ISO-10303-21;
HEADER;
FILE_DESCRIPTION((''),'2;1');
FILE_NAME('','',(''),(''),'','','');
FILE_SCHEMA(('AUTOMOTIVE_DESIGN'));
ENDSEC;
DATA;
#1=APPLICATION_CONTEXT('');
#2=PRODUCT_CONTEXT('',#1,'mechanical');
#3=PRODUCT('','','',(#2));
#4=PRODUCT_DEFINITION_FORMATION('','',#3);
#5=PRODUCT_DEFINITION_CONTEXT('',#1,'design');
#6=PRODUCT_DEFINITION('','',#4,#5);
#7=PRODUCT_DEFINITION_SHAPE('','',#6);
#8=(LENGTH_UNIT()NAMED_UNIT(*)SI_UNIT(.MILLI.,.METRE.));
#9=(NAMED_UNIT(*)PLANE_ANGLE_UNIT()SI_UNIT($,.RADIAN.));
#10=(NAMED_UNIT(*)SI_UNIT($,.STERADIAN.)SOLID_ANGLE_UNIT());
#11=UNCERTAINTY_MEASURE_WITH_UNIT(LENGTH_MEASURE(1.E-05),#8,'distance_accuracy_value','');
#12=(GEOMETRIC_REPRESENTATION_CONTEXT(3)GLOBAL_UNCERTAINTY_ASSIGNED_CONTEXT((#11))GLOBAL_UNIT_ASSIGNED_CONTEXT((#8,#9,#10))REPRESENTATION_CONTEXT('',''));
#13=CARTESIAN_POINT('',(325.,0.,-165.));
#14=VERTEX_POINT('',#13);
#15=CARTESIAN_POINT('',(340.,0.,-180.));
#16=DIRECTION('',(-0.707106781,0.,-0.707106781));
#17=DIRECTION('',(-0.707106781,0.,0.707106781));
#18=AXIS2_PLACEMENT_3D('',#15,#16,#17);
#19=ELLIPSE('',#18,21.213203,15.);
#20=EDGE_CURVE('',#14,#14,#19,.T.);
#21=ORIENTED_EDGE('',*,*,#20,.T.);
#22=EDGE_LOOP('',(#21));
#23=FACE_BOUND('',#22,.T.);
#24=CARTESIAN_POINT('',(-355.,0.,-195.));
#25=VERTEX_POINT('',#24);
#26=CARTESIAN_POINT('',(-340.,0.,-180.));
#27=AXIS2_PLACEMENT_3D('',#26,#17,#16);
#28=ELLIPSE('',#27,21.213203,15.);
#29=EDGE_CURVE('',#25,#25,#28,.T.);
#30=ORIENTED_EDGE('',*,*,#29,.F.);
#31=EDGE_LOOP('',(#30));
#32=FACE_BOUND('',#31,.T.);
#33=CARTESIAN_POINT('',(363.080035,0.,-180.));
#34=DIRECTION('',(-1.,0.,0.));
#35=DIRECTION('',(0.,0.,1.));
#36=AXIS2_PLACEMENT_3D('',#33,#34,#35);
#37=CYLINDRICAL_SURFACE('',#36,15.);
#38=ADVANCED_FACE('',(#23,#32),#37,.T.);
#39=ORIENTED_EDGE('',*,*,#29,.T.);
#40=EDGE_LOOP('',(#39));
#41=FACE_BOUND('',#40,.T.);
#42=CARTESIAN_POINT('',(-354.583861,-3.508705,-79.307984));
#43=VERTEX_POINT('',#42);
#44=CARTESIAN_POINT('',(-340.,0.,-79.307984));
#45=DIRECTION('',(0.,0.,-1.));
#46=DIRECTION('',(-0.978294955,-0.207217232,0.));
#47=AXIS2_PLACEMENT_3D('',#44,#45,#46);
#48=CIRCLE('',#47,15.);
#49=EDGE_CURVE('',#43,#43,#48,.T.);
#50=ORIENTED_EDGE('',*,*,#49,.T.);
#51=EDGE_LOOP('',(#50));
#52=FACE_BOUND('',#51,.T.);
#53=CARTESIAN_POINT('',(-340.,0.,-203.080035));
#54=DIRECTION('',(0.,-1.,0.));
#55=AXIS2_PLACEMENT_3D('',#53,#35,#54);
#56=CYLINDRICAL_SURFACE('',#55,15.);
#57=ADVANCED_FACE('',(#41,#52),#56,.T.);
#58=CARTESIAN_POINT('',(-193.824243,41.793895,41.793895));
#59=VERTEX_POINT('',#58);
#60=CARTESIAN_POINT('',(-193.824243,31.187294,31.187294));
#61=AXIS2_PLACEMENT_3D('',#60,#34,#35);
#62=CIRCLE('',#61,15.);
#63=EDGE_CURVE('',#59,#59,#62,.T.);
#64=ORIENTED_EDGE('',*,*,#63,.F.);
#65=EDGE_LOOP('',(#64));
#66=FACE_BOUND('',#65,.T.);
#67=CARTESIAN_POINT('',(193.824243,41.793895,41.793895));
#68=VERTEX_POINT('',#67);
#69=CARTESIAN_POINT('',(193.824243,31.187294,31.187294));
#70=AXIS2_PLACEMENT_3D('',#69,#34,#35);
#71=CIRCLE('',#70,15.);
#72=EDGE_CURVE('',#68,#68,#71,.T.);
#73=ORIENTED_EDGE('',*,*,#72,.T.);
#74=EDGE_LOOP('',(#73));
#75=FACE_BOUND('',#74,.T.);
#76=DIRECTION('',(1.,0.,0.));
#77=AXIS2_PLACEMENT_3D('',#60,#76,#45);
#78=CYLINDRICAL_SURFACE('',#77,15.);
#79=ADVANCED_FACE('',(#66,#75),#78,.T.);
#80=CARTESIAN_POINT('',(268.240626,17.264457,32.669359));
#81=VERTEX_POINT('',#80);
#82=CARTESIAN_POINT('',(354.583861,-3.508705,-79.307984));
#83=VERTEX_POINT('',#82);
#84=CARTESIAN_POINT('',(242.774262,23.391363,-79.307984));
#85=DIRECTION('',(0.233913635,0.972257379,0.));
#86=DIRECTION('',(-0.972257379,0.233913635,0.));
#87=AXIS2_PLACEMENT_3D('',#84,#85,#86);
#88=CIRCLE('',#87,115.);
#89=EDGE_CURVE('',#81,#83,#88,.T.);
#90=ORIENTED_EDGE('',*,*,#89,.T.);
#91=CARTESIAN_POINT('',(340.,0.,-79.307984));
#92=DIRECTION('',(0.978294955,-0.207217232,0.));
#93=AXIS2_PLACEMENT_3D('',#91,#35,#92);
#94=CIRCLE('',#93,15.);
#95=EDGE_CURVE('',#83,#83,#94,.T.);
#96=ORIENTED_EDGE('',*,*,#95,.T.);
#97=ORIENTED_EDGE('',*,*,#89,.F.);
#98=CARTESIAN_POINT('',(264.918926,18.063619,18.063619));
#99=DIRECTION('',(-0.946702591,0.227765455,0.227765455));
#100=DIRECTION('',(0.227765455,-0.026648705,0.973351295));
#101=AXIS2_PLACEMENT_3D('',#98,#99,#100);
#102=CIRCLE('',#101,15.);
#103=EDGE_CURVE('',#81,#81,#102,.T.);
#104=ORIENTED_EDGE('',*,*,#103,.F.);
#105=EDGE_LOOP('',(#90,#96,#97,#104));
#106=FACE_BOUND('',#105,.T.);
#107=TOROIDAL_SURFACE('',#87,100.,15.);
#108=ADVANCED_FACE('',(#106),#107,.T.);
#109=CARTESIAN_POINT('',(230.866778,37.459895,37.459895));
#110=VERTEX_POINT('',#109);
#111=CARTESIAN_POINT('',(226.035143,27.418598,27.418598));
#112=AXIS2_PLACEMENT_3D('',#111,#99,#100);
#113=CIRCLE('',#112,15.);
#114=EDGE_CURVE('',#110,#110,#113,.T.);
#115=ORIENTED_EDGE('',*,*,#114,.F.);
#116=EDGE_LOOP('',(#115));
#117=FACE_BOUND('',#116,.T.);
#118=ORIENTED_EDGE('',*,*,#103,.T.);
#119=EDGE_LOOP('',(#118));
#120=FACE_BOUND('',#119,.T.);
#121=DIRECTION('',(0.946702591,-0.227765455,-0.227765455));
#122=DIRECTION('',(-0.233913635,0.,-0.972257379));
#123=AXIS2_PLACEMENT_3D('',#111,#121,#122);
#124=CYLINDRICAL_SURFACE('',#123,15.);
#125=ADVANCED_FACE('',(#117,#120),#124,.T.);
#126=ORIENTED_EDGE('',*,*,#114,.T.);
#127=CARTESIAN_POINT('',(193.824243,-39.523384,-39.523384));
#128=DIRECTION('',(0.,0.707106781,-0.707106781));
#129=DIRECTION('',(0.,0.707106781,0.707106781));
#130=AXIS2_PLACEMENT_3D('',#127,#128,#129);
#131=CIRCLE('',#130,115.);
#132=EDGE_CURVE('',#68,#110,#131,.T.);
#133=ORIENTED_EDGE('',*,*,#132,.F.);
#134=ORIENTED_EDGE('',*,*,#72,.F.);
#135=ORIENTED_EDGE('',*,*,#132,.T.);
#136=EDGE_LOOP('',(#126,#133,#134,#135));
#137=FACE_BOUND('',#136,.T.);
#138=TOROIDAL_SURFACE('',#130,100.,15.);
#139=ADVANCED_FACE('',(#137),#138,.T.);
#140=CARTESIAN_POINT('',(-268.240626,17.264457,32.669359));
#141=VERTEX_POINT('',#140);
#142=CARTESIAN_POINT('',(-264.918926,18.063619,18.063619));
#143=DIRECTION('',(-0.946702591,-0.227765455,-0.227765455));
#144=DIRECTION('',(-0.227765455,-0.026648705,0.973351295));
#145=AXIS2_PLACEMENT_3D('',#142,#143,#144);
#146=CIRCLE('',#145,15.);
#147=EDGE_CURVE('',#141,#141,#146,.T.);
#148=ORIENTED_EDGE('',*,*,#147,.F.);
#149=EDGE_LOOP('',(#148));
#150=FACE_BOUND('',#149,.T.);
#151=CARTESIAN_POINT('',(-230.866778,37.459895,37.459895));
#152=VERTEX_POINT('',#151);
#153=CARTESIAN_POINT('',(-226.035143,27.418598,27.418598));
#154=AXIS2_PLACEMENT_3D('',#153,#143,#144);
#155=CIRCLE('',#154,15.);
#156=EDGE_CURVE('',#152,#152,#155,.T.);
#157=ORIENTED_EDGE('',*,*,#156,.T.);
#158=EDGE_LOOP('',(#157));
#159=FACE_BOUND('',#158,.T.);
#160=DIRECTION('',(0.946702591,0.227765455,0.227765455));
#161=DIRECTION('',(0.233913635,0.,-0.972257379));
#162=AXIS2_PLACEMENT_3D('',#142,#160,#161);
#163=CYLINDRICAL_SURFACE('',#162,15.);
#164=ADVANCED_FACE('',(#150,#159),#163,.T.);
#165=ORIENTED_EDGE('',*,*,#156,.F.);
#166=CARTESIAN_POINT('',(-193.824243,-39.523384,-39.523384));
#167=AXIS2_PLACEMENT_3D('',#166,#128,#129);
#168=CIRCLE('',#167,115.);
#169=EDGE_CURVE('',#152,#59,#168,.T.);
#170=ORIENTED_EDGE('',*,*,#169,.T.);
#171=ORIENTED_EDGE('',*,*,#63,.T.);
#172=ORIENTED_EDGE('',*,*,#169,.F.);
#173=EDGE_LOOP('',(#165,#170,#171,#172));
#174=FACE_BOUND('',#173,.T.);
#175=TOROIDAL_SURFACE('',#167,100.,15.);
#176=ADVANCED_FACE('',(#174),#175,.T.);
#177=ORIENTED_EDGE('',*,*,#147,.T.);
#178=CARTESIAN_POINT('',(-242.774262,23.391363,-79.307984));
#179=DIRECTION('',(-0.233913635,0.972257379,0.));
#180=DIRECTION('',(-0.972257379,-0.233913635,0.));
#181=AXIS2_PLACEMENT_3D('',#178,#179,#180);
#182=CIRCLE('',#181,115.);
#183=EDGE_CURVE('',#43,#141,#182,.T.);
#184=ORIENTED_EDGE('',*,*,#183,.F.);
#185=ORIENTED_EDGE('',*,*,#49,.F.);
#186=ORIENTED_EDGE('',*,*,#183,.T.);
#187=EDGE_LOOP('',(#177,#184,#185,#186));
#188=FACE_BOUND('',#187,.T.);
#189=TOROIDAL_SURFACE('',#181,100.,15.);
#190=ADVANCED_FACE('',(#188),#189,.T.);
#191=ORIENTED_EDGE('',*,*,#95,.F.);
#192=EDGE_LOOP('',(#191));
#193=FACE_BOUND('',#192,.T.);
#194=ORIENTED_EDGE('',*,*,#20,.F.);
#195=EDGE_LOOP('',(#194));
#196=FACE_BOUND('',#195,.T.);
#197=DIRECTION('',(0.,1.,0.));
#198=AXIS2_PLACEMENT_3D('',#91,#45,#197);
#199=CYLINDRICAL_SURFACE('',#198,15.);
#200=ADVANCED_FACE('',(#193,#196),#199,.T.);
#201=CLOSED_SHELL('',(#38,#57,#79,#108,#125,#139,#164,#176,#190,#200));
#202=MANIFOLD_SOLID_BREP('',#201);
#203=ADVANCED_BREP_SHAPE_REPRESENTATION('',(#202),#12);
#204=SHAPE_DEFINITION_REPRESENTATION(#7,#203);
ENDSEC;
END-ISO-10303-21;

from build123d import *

# Parameters (mm, degrees)
BARRER1_PROFILE_R = 15


with BuildPart() as part:
    # Barrer1: sweep along a curve in space
    with BuildLine() as barrer1_path:
        Line((264.918926477, 18.063618937, 18.063618937), (226.035142661, 27.418597771, 27.418597771))
        ThreePointArc((226.035142661, 27.418597771, 27.418597771), (210.148674123, 30.238757749, 30.238757749), (193.824243162, 31.187293721, 31.187293721))
        Line((193.824243162, 31.187293721, 31.187293721), (-193.824243162, 31.187293721, 31.187293721))
        ThreePointArc((-193.824243162, 31.187293721, 31.187293721), (-210.148674123, 30.238757749, 30.238757749), (-226.035142661, 27.418597771, 27.418597771))
        Line((-264.918926477, 18.063618937, 18.063618937), (-226.035142661, 27.418597771, 27.418597771))
        ThreePointArc((-264.918926477, 18.063618937, 18.063618937), (-318.95127781, 5.064073793, -17.169648176), (-340, 0, -79.30798358))
        Line((-340, 0, -79.30798358), (-340, 0, -180))
        Line((-340, 0, -180), (340, 0, -180))
        Line((340, 0, -79.30798358), (340, 0, -180))
        ThreePointArc((264.918926477, 18.063618937, 18.063618937), (318.95127781, 5.064073793, -17.169648176), (340, 0, -79.30798358))
    # Barrer1 profile (on start of the path) → Barrer1 (sweep)
    with BuildSketch(Plane(origin=(264.918926477, 18.063618937, 18.063618937), x_dir=(-0.23391363473017787, 0, -0.9722573792403516), z_dir=(-0.9467025907554608, 0.22776545464237832, 0.22776545464237832))):
        Circle(BARRER1_PROFILE_R)
    sweep(path=barrer1_path.line, transition=Transition.RIGHT)


solid = part.part
